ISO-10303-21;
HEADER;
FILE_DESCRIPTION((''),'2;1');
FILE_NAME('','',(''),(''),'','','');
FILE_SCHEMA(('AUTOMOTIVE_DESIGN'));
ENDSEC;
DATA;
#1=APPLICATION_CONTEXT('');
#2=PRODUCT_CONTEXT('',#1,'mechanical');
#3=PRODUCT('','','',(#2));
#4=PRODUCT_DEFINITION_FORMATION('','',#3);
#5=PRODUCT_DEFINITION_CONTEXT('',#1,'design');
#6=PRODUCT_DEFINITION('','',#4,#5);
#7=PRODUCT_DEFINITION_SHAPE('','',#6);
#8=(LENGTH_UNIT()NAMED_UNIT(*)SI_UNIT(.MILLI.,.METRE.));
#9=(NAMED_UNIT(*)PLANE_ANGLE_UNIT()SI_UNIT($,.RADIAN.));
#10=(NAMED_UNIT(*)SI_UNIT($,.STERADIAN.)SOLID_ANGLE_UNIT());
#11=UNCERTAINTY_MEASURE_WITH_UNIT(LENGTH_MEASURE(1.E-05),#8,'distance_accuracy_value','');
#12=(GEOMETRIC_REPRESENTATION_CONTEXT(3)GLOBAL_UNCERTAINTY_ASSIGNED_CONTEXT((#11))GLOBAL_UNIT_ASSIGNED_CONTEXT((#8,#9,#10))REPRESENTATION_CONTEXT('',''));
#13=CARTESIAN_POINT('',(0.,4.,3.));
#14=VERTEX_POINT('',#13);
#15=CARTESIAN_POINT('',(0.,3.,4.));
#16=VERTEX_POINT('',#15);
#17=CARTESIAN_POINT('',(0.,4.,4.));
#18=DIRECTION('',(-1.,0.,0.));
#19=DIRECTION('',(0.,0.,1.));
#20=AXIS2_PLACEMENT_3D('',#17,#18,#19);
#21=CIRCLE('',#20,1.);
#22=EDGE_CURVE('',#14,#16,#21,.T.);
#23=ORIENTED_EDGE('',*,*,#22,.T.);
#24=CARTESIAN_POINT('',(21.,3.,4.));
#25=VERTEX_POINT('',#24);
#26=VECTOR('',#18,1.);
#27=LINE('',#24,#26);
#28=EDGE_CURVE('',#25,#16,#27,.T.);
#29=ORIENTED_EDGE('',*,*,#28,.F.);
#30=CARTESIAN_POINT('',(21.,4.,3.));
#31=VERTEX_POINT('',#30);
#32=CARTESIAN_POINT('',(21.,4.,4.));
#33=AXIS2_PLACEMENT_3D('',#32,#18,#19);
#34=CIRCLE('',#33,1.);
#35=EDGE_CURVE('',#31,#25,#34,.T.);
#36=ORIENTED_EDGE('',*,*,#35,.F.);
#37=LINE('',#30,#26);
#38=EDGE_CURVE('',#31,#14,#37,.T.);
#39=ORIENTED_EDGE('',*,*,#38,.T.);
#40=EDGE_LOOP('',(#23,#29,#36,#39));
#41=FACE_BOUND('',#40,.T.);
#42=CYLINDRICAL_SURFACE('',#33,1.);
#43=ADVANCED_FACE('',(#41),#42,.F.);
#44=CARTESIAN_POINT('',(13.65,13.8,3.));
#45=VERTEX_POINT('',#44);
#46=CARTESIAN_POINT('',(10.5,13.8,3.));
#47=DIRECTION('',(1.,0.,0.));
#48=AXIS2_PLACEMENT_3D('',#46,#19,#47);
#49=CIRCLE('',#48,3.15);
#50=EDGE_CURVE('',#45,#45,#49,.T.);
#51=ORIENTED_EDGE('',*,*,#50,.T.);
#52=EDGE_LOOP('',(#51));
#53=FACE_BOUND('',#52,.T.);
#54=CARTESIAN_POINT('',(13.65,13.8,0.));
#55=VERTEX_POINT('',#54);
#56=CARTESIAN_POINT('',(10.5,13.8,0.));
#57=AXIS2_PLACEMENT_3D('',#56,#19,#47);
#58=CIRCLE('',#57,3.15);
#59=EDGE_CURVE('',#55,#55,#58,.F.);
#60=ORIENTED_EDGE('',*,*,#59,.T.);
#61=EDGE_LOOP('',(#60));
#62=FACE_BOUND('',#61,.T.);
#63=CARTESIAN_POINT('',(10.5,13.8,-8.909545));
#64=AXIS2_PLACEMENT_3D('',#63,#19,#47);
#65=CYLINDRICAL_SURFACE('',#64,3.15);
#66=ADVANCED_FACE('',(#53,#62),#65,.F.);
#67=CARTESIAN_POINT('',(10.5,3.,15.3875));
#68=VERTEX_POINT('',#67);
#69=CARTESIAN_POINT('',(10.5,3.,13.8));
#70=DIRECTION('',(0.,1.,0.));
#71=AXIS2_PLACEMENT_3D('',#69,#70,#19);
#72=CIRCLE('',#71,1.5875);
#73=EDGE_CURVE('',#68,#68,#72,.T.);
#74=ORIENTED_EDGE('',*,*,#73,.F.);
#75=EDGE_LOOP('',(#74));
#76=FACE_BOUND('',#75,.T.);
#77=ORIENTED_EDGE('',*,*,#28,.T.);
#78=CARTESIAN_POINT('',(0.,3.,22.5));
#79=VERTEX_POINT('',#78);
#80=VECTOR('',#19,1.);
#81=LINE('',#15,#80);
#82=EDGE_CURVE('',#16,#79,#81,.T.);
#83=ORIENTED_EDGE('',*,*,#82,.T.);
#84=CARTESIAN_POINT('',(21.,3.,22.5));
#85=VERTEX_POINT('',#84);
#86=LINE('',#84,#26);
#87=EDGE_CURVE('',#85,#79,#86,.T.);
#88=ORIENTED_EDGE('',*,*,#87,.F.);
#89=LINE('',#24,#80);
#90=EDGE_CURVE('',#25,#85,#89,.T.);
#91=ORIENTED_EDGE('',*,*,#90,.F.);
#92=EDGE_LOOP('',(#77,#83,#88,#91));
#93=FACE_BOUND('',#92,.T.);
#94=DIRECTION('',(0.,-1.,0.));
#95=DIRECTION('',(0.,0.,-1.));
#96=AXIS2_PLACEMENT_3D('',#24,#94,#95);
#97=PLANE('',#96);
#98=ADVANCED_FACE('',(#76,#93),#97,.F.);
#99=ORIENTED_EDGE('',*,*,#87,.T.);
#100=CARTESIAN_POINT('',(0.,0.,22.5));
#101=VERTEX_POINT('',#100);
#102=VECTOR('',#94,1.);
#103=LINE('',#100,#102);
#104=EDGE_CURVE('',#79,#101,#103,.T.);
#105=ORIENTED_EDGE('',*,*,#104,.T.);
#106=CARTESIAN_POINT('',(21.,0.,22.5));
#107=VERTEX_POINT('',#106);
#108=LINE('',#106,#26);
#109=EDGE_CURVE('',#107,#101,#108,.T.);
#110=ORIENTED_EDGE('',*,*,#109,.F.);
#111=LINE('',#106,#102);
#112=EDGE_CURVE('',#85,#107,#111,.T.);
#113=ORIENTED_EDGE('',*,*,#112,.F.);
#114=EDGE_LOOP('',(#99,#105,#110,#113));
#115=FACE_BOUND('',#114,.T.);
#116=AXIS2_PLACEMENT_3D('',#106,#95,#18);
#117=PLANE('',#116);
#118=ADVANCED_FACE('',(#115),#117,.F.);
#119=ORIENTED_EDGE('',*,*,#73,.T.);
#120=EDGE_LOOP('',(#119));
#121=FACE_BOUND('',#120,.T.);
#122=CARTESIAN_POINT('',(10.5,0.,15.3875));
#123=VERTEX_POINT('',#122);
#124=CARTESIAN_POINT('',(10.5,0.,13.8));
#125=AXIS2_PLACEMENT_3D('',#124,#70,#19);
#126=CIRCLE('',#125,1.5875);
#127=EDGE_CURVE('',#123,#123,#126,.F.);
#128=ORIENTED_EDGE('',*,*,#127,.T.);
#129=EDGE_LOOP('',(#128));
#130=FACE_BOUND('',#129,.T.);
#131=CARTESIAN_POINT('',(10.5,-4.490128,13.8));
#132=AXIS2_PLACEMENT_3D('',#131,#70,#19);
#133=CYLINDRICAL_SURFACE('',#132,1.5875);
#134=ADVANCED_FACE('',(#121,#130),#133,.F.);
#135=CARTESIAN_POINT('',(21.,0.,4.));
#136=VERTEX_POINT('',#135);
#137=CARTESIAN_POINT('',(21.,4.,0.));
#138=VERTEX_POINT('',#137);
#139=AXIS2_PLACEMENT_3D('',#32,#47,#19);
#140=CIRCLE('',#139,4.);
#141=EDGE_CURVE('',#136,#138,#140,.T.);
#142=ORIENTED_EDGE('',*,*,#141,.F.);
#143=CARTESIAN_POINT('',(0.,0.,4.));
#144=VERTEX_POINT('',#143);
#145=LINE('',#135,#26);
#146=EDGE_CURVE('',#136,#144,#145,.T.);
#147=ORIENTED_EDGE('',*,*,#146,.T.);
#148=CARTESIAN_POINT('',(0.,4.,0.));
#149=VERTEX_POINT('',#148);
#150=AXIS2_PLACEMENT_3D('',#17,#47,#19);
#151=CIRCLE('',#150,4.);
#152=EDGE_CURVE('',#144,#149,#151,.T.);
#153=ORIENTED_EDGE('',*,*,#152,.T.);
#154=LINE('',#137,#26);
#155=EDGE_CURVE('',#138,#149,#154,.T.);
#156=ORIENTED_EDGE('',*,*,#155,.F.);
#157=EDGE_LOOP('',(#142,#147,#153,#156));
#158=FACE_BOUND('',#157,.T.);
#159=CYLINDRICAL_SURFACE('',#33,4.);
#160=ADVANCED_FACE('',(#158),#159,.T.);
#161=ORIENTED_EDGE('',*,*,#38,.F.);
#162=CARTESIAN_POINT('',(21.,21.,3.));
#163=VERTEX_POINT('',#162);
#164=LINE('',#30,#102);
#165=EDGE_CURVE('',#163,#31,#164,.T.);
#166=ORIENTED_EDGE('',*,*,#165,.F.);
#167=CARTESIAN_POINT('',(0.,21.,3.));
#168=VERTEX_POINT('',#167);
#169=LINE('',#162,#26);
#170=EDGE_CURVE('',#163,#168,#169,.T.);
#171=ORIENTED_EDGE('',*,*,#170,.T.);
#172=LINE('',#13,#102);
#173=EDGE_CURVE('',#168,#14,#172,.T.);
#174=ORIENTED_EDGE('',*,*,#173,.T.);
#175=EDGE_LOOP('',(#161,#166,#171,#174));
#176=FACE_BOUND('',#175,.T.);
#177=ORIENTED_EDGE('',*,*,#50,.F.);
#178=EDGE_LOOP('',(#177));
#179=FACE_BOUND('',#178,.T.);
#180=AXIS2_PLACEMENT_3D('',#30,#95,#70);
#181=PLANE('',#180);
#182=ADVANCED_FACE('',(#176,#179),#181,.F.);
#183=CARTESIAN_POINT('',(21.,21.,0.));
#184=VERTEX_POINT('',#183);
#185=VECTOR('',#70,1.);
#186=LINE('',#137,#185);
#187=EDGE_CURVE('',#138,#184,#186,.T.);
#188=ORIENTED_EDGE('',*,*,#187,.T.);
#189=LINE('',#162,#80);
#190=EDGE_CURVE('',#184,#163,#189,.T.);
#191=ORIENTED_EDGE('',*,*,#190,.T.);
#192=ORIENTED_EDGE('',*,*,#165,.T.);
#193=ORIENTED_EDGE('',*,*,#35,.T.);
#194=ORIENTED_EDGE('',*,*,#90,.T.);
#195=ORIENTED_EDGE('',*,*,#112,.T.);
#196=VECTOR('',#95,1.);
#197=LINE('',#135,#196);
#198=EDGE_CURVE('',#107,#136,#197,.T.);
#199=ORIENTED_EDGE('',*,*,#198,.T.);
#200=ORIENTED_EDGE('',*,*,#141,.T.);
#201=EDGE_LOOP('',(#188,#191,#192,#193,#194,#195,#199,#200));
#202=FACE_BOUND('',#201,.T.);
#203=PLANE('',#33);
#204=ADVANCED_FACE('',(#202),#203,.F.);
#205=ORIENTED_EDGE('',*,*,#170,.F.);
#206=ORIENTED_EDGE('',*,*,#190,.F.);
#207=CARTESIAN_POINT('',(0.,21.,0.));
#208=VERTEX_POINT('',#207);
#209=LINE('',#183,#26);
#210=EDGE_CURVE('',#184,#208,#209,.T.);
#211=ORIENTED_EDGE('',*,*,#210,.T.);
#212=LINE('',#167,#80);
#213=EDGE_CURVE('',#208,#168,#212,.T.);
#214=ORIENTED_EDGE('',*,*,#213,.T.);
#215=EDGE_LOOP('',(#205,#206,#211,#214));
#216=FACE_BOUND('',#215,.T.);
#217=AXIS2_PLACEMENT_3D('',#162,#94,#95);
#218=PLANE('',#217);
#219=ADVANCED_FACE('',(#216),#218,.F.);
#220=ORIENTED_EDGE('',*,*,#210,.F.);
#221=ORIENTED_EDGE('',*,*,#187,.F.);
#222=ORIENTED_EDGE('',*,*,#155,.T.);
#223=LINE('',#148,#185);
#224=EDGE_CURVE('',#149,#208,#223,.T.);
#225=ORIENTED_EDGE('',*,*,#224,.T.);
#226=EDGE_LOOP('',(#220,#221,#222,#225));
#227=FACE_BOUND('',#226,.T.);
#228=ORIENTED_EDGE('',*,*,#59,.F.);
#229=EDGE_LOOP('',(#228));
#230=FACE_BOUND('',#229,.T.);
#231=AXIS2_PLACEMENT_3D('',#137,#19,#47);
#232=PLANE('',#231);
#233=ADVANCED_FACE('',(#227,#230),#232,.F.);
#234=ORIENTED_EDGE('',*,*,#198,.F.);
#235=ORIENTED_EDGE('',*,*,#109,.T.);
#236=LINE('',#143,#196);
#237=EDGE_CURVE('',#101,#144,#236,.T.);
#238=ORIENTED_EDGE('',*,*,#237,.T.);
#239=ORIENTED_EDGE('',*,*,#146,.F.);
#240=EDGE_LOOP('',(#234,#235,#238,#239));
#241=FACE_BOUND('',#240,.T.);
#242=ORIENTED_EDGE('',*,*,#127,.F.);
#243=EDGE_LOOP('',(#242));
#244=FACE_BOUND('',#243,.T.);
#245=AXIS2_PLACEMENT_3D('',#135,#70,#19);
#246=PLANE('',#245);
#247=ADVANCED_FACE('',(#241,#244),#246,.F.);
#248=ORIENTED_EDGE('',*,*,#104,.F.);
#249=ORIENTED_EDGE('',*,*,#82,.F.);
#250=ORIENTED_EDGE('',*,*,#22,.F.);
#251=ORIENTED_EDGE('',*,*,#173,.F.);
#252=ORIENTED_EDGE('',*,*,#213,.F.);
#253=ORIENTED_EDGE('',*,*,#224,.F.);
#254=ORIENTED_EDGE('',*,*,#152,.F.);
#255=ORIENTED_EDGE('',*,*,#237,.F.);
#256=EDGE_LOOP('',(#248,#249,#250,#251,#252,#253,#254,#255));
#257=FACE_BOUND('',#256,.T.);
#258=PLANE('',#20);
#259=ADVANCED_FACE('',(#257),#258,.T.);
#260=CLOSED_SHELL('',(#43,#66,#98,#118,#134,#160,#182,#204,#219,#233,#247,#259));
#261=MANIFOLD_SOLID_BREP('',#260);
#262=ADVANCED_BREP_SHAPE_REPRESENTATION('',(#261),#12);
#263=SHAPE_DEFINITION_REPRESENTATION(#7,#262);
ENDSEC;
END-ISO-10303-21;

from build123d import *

# Parameters (mm, degrees)
EXTRUDE1_DEPTH = 21
SKETCH3_R      = 1.5875
EXTRUDE2_DEPTH = 3
SKETCH4_R      = 3.15
EXTRUDE3_DEPTH = 3


with BuildPart() as part:
    # Sketch2 → Extrude1 (new body)
    with BuildSketch(Plane(origin=(0, 0, 0), x_dir=(0, 0, -1), z_dir=(1, 0, 0))):
        with BuildLine():
            Line((0, 4), (0, 21))
            Line((0, 21), (-3, 21))
            Line((-3, 21), (-3, 4))
            ThreePointArc((-3, 4), (-3.292893219, 3.292893219), (-4, 3))
            Line((-4, 3), (-22.5, 3))
            Line((-22.5, 3), (-22.5, 0))
            Line((-22.5, 0), (-4, 0))
            ThreePointArc((-4, 0), (-1.171572875, 1.171572875), (0, 4))
        make_face()
    extrude(amount=EXTRUDE1_DEPTH)

    # Sketch3 → Extrude2 (cut)
    with BuildSketch(Plane(origin=(0, 3, 0), x_dir=(1, 0, 0), z_dir=(0, 1, 0))):
        with Locations(Location((10.5, -13.8, 0), (0, 0, 270))):
            Circle(SKETCH3_R)
    extrude(amount=-EXTRUDE2_DEPTH, mode=Mode.SUBTRACT)

    # Sketch4 → Extrude3 (cut)
    with BuildSketch(Plane.XY.offset(3)):
        with Locations((10.5, 13.8)):
            Circle(SKETCH4_R)
    extrude(amount=-EXTRUDE3_DEPTH, mode=Mode.SUBTRACT)


solid = part.part
